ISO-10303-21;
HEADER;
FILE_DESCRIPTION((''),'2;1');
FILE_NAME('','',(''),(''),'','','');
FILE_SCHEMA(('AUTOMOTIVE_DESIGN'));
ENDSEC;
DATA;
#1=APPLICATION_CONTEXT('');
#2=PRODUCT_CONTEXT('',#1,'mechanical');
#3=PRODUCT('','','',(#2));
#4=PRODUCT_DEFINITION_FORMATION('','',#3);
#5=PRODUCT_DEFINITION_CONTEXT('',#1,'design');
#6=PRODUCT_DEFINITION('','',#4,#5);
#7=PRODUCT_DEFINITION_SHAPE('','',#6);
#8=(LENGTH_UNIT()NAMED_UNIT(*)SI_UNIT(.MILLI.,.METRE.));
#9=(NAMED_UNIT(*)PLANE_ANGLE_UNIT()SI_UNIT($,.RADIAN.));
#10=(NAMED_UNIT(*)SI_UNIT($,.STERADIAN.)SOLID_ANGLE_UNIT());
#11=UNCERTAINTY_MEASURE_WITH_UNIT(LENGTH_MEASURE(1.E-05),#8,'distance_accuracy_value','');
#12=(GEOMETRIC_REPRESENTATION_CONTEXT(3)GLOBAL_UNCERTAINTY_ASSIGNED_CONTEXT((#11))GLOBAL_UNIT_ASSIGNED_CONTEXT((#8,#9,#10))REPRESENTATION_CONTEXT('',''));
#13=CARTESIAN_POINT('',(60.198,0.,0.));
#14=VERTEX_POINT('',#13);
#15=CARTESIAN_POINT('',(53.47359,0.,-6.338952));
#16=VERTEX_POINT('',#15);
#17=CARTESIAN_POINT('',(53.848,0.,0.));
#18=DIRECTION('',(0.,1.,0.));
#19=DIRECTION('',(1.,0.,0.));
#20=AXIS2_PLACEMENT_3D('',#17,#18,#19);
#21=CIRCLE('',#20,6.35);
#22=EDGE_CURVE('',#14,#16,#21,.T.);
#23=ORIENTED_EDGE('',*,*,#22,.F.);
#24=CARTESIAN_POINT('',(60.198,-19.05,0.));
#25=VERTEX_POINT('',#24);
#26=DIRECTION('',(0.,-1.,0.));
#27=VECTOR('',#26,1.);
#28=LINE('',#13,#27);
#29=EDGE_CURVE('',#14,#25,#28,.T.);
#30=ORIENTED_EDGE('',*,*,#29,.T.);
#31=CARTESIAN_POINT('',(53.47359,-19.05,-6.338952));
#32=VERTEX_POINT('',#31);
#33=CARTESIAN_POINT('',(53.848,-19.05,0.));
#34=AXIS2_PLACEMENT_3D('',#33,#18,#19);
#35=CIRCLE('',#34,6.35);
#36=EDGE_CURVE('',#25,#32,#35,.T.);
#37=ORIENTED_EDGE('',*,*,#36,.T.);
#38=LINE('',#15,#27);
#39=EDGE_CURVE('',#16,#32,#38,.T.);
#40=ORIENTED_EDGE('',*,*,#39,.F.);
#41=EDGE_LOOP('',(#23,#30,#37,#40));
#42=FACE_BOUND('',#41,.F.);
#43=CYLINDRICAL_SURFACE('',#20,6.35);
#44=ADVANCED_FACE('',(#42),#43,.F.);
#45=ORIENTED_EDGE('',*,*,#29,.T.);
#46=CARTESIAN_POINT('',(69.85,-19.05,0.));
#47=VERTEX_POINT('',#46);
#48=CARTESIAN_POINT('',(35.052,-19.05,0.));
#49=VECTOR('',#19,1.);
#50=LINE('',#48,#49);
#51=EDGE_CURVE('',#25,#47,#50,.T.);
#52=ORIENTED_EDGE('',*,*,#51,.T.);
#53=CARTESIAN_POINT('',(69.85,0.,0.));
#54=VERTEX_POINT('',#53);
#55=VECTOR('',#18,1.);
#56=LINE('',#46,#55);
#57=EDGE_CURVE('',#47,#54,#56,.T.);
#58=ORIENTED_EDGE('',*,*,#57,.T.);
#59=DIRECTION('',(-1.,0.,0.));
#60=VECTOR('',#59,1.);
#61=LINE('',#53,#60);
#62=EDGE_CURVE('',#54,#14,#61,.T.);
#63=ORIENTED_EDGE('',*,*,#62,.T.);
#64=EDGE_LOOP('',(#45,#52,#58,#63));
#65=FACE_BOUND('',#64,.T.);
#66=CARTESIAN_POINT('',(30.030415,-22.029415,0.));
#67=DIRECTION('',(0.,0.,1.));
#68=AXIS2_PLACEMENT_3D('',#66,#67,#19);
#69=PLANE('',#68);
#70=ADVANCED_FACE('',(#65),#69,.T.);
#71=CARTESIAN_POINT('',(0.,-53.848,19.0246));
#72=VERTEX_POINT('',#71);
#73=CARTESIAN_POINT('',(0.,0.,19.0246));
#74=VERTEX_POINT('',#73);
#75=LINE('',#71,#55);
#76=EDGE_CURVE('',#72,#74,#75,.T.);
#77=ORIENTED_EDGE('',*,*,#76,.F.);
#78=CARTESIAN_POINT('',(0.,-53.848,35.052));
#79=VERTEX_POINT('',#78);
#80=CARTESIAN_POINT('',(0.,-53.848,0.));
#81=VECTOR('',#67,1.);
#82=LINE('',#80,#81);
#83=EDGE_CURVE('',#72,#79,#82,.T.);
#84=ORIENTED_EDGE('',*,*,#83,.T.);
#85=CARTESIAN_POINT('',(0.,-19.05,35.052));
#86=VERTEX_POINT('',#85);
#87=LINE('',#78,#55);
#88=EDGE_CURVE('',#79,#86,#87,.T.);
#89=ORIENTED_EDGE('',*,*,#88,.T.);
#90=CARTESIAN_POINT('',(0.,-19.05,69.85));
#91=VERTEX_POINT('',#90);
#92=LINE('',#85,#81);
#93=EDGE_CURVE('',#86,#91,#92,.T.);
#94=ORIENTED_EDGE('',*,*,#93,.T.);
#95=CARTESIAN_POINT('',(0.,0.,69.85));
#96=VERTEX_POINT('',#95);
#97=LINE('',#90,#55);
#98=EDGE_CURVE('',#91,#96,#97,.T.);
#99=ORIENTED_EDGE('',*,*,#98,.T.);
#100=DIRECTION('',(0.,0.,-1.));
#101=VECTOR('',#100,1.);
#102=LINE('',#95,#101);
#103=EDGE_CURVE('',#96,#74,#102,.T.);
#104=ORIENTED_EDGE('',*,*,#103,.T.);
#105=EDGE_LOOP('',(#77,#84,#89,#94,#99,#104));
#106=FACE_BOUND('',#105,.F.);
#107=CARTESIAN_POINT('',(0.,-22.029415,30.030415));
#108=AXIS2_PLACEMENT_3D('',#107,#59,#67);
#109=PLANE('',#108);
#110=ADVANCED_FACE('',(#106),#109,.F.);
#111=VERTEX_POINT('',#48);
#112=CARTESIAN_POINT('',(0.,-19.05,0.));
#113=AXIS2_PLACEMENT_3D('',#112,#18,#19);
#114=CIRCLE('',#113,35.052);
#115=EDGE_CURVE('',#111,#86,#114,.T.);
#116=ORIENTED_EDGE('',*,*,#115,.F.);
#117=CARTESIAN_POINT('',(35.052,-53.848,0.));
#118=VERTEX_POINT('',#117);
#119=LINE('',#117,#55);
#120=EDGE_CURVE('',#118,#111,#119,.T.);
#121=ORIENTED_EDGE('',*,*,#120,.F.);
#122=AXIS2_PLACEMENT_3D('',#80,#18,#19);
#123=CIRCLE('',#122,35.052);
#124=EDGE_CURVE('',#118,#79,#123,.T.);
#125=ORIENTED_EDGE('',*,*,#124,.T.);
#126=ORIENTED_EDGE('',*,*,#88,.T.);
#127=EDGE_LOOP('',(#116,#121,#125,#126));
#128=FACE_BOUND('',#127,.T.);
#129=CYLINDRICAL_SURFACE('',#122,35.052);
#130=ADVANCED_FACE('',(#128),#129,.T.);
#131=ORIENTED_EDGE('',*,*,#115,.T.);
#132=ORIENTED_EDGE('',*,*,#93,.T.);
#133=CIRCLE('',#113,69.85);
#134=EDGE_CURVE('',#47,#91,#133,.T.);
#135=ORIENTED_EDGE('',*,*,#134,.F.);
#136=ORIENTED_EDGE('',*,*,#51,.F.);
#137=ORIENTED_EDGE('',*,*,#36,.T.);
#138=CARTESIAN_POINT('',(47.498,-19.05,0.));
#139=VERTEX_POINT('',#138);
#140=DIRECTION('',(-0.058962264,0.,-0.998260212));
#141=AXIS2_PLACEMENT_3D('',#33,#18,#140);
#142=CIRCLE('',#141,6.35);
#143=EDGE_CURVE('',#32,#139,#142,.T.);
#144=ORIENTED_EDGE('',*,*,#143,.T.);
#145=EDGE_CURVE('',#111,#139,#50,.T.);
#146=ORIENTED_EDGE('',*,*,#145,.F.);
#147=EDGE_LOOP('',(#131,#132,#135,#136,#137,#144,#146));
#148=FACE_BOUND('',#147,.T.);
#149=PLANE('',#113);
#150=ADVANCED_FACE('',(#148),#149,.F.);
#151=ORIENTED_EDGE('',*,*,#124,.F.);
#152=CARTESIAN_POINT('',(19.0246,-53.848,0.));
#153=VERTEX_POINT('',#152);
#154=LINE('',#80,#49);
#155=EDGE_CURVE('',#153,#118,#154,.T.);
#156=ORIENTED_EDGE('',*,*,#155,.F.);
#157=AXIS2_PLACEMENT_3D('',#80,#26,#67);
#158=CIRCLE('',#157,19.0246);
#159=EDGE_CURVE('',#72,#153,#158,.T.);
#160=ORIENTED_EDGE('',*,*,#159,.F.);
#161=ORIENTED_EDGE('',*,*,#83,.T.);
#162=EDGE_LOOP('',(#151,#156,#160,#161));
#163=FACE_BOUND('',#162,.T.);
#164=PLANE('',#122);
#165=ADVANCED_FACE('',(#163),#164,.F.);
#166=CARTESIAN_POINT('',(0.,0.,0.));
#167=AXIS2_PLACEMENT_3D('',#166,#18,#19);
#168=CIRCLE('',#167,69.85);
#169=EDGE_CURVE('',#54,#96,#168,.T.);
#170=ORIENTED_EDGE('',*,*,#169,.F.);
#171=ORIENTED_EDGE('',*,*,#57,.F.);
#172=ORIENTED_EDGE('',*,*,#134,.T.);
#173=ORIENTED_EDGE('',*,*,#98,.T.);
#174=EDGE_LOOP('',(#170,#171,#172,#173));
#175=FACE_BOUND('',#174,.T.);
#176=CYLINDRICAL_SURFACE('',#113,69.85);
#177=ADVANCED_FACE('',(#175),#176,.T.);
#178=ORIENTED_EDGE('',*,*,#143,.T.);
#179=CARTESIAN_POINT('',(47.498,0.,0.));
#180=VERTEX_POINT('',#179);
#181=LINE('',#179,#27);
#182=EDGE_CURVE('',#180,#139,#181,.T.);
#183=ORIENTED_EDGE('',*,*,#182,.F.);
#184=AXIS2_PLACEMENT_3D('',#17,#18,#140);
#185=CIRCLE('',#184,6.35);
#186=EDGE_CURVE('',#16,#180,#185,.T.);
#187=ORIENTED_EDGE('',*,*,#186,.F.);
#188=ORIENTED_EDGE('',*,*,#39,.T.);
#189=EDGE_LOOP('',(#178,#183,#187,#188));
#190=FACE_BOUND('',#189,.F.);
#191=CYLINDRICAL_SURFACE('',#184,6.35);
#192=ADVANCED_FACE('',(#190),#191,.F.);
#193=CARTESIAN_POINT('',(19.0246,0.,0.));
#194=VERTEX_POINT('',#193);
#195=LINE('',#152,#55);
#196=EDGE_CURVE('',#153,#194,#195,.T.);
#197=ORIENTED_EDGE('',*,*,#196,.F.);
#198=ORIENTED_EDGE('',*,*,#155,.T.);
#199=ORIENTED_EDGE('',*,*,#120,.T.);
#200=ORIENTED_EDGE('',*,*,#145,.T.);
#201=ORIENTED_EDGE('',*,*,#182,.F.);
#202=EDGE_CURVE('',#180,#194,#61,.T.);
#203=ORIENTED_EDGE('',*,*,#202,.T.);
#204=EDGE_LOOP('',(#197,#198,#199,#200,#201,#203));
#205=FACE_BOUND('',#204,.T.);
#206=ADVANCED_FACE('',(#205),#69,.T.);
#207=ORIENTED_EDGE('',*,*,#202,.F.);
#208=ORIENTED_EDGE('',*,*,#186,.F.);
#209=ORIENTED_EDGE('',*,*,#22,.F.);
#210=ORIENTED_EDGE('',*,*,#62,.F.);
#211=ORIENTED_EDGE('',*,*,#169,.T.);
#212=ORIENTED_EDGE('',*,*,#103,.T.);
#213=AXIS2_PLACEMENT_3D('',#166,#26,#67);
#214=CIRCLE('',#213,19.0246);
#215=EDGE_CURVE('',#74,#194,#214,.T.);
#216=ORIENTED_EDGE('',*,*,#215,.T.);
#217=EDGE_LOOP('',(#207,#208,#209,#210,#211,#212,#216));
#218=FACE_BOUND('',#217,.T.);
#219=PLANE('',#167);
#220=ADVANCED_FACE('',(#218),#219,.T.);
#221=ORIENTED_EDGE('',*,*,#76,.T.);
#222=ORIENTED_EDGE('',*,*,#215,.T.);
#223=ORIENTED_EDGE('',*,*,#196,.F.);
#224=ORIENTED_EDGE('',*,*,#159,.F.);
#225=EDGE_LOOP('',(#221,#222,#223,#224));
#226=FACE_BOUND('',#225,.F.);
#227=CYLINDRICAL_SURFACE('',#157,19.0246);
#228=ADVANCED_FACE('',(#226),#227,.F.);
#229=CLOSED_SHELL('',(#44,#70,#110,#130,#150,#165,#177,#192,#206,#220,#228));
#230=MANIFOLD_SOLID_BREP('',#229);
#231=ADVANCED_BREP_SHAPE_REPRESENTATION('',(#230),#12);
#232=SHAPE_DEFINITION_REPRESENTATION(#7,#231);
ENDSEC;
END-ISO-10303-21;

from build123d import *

# Parameters (mm, degrees)
F1_ANGLE = 270
F3_DEPTH = 25.4
F5_DEPTH = 76.2


with BuildPart() as f1:
    # F0 (on Top) → F1 (revolve)
    with BuildSketch(Plane.XY):
        Polygon((69.85, 0), (0, 0), (0, -53.848), (35.052, -53.848), (35.052, -19.05), (69.85, -19.05), align=None)
    revolve(axis=Axis((0, -26.924, 0), (0, 1, 0)), revolution_arc=F1_ANGLE)

    # F2 (on face) → F3 (cut)
    with BuildSketch(Plane(origin=(0, 0, 0), x_dir=(-1, 0, 0), z_dir=(0, 1, 0))):
        with BuildLine():
            ThreePointArc((-60.198, 0), (-58.2037429965, -4.6206063399), (-53.4735896226, -6.3389523479))
            ThreePointArc((-53.4735896226, -6.3389523479), (-53.7543159104, -3.175), (-53.848, 0))
            Line((-53.848, 0), (-60.198, 0))
        make_face()
        with BuildLine():
            ThreePointArc((-53.848, 0), (-53.7543159104, -3.175), (-53.4735896226, -6.3389523479))
            ThreePointArc((-53.4735896226, -6.3389523479), (-49.2273936601, -4.3557429965), (-47.498, 0))
            Line((-47.498, 0), (-53.848, 0))
        make_face()
    extrude(amount=-F3_DEPTH, mode=Mode.SUBTRACT)

    # F4 (on face) → F5 (cut)
    with BuildSketch(Plane.XZ.offset(53.848)):
        with BuildLine():
            ThreePointArc((0, 19.0246), (-13.4524236694, -13.4524236694), (19.0246, 0))
            Line((19.0246, 0), (0, 0))
            Line((0, 0), (0, 19.0246))
        make_face()
    extrude(amount=-F5_DEPTH, mode=Mode.SUBTRACT)


solid = f1.part
